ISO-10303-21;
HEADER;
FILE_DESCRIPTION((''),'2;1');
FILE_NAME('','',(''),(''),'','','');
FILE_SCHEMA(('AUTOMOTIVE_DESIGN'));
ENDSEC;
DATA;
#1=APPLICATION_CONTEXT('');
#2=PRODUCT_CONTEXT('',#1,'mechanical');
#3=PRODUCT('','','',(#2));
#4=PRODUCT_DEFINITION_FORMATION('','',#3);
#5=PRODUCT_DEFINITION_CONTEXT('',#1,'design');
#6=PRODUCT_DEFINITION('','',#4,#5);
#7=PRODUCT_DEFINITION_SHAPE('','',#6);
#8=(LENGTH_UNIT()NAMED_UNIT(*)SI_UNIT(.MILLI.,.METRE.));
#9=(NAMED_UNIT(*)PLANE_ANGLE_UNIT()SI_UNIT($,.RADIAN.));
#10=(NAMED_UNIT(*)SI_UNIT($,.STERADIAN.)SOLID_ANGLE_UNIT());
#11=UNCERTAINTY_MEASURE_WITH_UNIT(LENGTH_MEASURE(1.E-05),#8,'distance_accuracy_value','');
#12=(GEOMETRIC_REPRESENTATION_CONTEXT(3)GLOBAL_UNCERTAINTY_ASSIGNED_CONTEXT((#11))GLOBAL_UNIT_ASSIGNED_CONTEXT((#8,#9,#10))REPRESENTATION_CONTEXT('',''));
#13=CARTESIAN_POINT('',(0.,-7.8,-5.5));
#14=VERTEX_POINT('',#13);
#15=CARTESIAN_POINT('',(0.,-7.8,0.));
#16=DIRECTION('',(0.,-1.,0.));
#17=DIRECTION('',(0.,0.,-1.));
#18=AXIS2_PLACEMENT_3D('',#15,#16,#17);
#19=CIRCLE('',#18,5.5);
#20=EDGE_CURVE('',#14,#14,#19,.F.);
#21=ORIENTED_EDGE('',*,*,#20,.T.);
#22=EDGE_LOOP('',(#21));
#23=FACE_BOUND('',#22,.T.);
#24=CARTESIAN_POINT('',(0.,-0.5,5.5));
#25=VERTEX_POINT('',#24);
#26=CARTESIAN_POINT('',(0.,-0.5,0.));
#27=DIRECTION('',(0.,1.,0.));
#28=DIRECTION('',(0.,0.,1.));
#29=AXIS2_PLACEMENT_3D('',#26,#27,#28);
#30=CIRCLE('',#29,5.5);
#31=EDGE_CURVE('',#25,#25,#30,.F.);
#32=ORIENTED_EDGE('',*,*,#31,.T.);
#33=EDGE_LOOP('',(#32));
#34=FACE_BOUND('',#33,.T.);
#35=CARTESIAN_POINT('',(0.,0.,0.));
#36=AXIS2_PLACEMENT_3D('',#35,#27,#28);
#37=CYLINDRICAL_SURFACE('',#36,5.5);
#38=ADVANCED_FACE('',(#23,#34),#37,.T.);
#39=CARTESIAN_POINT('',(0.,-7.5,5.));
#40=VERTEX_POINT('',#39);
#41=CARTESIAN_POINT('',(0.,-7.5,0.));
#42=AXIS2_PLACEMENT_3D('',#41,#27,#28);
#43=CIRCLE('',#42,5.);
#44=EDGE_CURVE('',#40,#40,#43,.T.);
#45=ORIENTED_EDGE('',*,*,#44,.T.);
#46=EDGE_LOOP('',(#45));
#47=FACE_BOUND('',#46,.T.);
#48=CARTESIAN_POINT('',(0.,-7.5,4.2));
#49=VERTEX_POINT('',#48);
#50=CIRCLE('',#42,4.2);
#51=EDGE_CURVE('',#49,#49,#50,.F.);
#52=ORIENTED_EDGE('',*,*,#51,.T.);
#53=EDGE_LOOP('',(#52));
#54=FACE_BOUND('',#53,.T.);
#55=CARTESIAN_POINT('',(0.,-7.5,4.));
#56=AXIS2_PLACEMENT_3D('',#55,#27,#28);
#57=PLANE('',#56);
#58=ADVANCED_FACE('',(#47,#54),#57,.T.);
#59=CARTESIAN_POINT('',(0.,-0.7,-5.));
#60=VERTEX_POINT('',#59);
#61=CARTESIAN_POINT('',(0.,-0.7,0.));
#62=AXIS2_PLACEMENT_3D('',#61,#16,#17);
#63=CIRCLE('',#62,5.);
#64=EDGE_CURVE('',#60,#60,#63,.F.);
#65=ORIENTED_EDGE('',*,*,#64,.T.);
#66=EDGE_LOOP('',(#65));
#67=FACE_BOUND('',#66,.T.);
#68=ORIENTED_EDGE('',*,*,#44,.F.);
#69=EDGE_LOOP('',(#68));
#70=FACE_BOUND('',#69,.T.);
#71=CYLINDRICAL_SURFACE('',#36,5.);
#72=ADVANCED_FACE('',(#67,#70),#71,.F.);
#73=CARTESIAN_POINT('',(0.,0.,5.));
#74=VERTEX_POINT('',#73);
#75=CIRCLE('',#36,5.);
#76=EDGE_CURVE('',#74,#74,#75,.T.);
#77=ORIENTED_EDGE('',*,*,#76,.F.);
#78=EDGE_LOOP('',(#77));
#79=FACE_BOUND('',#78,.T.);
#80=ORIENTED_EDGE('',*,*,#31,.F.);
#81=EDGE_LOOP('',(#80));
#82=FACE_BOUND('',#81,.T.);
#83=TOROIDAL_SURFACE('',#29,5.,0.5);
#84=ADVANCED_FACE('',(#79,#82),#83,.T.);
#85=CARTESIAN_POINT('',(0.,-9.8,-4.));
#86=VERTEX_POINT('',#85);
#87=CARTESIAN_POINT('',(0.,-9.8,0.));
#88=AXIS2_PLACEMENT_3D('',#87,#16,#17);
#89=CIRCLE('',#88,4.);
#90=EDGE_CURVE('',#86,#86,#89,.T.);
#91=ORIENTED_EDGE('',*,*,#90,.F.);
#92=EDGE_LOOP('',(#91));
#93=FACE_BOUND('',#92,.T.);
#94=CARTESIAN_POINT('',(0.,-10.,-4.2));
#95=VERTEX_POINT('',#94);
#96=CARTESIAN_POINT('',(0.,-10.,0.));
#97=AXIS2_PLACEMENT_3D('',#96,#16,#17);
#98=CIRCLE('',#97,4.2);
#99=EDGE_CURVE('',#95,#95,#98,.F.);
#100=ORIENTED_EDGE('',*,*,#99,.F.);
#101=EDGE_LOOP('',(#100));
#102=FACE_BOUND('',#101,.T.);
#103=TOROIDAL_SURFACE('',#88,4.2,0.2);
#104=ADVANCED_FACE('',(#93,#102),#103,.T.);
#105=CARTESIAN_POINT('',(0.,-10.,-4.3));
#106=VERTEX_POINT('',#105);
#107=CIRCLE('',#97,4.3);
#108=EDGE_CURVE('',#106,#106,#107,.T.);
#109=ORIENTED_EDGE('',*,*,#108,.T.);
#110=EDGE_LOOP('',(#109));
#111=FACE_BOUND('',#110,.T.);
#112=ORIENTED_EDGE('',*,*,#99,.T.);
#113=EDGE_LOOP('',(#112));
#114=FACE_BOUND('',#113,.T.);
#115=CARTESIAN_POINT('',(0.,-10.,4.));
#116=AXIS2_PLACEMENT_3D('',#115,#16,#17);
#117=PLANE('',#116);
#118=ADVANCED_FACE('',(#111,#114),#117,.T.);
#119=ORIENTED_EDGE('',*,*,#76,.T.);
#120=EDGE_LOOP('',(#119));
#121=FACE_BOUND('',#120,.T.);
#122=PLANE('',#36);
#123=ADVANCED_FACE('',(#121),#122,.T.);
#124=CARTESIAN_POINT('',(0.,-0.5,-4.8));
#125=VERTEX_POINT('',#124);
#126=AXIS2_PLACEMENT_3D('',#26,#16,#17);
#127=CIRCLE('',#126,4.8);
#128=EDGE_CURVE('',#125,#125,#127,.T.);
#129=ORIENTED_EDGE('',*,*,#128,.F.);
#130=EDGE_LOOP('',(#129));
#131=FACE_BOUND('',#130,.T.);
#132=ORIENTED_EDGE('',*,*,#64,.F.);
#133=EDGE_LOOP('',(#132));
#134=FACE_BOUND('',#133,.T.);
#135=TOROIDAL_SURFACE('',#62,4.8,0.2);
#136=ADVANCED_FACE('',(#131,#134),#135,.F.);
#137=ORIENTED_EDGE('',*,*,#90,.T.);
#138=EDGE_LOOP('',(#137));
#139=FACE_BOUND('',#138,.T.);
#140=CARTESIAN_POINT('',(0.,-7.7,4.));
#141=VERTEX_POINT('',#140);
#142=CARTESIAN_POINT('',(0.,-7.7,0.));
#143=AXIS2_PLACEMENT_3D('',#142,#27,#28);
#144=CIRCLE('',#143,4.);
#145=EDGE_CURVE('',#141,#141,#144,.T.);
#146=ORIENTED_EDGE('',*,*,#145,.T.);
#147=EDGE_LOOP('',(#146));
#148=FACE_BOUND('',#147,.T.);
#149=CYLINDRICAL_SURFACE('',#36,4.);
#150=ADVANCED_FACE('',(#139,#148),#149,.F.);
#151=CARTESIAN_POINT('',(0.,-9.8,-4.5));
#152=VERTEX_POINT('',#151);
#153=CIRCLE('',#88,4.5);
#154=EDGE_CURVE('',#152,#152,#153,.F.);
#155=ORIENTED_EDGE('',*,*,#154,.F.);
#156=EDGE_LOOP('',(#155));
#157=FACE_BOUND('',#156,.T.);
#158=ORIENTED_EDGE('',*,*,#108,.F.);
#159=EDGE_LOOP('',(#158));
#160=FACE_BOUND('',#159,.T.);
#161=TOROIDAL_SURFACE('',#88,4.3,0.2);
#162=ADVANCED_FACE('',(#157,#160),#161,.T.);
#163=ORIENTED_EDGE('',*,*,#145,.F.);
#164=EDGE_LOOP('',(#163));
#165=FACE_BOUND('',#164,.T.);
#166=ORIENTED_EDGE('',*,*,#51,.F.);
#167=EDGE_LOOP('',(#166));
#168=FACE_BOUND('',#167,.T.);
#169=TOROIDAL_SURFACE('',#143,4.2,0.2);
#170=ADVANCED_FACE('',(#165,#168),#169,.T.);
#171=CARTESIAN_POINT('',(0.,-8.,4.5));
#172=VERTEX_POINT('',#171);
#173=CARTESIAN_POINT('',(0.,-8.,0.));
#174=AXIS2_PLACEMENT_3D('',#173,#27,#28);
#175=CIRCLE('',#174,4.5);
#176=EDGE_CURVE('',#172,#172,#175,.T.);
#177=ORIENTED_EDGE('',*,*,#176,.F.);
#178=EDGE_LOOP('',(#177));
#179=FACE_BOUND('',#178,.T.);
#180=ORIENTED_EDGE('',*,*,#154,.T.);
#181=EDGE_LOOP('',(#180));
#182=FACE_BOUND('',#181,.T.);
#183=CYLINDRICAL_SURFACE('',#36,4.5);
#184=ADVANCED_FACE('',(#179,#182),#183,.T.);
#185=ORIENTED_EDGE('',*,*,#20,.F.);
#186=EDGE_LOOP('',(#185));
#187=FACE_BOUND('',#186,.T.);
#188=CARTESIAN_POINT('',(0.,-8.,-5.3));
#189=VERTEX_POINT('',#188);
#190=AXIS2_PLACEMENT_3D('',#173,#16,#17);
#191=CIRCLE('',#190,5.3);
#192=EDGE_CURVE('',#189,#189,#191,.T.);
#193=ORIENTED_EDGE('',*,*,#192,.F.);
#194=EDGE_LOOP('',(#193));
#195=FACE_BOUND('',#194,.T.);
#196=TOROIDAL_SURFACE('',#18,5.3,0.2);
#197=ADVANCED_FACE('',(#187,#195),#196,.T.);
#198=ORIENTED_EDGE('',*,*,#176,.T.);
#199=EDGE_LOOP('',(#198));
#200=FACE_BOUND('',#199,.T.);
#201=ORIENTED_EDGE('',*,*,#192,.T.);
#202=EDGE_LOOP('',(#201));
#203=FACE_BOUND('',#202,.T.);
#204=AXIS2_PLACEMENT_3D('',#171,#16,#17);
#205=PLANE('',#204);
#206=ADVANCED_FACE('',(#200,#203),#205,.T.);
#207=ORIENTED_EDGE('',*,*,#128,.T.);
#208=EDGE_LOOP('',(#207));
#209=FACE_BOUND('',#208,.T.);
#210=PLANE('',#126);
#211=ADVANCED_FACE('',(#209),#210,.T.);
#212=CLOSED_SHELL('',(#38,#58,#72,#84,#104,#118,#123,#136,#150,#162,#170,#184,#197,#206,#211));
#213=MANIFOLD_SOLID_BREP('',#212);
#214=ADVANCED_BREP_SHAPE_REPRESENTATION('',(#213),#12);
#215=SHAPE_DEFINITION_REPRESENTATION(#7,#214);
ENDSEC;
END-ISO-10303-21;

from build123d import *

# Parameters (mm, degrees)
FILLET1_R = 0.5
FILLET2_R = 0.2


with BuildPart() as part:
    # Sketch1 → Revolve1 (revolve)
    with BuildSketch(Plane(origin=(0, 0, 0), x_dir=(0, 0, -1), z_dir=(1, 0, 0))):
        Polygon((0, 0), (-5.5, 0), (-5.5, -8), (-4.5, -8), (-4.5, -10), (-4, -10), (-4, -7.5), (-5, -7.5), (-5, -0.5), (0, -0.5), align=None)
    revolve(axis=Axis((0, 0, 0), (0, -1, 0)))

    # Fillet1
    fillet1_edges = [part.edges().sort_by_distance(p)[0] for p in [
        (0, 0, -5.5),
    ]]
    fillet(fillet1_edges, radius=FILLET1_R)

    # Fillet2
    fillet2_edges = [part.edges().sort_by_distance(p)[0] for p in [
        (0, -0.5, -5),
        (0, -8, -5.5),
        (0, -10, -4.5),
        (0, -10, -4),
        (0, -7.5, -4),
    ]]
    fillet(fillet2_edges, radius=FILLET2_R)


solid = part.part
